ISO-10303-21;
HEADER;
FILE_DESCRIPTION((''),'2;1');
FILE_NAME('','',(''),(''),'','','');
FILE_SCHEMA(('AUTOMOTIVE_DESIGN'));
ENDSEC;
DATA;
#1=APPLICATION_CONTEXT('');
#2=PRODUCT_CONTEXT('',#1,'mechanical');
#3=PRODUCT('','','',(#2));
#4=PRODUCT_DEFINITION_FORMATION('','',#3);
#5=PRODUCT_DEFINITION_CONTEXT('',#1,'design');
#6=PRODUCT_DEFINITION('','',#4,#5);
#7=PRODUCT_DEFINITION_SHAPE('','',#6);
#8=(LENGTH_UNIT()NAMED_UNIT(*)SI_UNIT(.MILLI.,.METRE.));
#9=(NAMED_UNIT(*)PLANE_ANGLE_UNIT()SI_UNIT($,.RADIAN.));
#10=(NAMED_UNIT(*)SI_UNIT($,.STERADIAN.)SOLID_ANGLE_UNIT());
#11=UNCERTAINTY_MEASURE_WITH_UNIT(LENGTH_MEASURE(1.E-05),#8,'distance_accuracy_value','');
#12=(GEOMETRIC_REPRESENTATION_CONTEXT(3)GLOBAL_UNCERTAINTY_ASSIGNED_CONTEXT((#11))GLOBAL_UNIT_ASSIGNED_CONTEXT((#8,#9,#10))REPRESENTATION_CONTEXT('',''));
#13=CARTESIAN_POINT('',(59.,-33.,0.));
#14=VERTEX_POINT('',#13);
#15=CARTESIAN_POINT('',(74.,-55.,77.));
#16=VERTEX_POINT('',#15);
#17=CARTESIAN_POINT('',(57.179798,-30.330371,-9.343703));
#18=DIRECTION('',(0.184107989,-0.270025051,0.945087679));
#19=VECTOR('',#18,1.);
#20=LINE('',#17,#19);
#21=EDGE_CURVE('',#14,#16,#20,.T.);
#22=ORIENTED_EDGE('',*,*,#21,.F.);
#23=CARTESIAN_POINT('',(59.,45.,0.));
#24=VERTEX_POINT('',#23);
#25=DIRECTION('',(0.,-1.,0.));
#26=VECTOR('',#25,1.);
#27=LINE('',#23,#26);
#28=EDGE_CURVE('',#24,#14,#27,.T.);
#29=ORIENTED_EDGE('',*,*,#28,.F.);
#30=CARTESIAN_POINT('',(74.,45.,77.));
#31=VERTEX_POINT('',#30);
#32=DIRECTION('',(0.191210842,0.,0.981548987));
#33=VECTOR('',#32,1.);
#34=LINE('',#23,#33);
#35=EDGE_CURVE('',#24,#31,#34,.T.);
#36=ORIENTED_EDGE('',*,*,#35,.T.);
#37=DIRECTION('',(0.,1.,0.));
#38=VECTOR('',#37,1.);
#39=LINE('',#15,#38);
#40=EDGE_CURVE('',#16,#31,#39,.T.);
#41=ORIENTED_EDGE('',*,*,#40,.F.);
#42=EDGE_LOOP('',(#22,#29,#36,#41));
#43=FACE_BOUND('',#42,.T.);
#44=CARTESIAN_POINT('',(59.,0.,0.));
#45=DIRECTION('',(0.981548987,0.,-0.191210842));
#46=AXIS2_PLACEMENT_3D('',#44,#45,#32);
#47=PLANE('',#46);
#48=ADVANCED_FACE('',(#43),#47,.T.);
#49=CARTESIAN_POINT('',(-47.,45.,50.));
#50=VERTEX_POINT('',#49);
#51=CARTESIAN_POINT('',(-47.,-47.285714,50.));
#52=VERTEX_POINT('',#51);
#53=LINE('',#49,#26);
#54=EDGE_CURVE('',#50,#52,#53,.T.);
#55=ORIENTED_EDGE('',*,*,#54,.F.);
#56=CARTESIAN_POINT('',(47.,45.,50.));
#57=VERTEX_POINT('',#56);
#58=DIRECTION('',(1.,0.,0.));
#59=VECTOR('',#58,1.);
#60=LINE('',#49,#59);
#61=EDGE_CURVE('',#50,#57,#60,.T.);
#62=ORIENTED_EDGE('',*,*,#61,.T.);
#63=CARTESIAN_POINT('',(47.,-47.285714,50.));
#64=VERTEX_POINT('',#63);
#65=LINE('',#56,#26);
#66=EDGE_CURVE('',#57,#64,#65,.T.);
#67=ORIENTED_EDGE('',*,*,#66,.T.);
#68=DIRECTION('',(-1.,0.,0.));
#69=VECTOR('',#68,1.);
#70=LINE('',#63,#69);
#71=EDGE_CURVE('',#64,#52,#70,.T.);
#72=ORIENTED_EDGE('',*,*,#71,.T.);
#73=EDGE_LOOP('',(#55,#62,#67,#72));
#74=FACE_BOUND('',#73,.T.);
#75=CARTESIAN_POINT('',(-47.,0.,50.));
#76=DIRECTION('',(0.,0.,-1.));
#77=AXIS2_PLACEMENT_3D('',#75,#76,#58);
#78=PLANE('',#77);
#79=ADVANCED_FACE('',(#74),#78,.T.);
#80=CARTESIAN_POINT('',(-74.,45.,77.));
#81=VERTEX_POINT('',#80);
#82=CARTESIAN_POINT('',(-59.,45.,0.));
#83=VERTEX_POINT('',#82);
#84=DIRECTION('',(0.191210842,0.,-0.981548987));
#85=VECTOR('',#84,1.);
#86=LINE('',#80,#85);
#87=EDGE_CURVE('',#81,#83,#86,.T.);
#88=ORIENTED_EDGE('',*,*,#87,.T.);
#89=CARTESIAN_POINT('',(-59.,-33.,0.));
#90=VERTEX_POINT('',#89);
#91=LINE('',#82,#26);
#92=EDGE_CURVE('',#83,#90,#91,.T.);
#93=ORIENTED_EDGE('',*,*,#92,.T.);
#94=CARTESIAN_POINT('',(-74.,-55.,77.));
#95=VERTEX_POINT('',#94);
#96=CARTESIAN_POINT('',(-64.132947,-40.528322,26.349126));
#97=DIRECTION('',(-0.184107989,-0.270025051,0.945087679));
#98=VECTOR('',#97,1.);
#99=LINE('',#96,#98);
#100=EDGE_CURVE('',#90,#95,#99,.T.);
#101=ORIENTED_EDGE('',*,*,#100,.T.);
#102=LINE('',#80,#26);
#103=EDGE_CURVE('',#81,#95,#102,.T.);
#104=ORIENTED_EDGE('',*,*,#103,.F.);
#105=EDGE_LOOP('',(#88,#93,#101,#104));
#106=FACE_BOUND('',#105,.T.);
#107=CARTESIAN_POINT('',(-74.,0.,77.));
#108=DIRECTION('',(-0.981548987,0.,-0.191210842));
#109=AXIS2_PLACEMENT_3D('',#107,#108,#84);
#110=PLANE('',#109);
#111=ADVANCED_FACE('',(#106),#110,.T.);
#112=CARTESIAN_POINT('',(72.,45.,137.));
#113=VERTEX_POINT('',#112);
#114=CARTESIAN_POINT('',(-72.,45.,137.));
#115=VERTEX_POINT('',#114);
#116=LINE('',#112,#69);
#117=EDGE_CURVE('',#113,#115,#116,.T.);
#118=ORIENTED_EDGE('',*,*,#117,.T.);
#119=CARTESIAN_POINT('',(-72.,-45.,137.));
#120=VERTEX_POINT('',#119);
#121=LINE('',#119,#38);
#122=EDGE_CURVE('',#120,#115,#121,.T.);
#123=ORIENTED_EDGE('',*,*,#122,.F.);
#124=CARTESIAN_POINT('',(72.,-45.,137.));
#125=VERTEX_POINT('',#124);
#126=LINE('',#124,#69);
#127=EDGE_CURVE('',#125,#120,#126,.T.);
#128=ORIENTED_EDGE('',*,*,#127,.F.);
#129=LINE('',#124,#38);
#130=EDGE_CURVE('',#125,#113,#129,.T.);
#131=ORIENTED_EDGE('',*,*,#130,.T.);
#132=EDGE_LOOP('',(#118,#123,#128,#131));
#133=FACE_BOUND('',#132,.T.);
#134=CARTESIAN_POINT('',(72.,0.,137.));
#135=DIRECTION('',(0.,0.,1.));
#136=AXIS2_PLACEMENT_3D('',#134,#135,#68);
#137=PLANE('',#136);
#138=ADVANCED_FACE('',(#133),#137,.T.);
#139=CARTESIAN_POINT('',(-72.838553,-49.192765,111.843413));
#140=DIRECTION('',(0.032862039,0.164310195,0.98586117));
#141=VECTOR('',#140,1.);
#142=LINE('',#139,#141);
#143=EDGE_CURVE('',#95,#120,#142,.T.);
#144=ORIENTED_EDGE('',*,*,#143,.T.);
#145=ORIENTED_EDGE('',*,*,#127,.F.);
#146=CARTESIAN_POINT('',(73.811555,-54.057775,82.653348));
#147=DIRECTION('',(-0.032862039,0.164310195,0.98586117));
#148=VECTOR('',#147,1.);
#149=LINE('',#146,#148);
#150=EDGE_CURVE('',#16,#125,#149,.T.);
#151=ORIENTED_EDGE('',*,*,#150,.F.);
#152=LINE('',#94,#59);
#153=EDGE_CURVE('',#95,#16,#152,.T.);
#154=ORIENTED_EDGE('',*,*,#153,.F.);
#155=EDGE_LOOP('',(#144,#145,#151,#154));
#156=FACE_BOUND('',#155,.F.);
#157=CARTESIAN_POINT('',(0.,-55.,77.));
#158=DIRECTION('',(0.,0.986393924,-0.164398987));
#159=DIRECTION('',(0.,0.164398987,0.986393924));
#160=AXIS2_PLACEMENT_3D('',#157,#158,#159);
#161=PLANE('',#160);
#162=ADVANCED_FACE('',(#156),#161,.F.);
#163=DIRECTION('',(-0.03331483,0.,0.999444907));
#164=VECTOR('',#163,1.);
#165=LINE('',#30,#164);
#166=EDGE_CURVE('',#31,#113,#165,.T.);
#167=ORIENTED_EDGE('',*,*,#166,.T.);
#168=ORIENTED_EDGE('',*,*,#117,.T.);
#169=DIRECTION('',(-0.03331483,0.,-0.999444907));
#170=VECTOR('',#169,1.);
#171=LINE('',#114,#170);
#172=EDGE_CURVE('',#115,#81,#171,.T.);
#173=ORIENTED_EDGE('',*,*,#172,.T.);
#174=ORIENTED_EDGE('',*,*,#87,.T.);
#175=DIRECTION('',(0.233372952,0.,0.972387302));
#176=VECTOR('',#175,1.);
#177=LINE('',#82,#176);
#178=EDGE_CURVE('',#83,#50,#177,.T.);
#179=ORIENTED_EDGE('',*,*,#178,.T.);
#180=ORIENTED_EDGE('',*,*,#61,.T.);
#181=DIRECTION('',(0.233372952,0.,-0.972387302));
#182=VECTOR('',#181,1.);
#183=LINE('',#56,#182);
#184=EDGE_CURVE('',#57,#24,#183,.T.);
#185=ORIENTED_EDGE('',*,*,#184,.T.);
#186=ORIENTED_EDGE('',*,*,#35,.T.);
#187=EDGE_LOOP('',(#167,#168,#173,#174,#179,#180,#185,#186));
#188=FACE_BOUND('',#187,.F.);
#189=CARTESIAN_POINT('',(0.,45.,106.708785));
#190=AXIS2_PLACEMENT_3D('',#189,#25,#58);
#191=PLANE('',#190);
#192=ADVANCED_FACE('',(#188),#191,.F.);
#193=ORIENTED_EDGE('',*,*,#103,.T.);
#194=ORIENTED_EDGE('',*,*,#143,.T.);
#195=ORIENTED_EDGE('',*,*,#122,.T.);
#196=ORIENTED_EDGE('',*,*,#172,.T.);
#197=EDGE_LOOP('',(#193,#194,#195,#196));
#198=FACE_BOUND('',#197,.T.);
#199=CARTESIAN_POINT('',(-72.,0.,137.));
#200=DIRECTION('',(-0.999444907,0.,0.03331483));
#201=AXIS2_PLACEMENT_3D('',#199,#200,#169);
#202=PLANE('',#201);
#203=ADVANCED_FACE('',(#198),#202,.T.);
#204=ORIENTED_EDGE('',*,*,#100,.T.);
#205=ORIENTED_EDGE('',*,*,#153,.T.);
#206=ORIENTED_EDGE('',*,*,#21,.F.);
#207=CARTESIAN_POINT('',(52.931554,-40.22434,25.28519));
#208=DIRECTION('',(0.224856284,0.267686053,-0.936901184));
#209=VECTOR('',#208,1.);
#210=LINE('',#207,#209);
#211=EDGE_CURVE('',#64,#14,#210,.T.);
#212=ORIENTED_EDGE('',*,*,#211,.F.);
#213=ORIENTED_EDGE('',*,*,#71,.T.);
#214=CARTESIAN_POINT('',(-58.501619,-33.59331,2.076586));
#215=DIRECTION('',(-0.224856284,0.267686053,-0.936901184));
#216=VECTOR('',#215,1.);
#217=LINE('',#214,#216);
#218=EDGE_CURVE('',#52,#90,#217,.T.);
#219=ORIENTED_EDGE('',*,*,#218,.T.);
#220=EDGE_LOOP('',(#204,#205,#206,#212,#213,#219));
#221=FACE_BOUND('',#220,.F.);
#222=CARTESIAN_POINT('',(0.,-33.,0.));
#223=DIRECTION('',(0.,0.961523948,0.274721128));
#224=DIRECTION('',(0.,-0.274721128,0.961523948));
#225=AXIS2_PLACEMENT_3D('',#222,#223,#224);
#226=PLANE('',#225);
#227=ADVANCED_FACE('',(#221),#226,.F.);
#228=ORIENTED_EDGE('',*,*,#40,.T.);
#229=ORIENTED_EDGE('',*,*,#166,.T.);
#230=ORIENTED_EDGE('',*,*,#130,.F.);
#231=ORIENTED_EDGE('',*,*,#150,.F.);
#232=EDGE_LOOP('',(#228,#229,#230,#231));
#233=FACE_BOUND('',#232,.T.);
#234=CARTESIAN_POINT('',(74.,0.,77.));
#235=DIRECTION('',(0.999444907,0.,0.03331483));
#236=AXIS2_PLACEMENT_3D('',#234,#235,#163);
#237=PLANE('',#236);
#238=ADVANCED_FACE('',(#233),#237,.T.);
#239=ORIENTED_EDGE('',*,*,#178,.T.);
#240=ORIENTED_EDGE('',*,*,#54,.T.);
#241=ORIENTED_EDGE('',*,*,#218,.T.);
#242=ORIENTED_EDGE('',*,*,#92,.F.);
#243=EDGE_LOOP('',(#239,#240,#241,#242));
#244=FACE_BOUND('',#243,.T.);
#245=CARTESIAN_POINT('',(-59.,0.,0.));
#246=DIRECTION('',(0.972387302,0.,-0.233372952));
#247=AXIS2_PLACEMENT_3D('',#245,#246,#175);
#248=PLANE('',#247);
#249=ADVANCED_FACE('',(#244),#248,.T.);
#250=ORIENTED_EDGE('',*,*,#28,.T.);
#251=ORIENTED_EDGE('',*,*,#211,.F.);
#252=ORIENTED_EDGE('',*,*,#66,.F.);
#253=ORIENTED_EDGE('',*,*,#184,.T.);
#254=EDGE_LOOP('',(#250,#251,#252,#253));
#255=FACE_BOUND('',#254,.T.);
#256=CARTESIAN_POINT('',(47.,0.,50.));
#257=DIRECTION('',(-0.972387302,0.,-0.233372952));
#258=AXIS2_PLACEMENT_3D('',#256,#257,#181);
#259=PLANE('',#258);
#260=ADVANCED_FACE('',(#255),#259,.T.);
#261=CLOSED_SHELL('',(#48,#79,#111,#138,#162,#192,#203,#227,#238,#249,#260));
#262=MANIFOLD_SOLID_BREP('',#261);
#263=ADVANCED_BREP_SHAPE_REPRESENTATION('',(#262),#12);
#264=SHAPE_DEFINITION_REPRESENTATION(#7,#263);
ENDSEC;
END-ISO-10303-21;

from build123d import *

# Parameters (mm, degrees)
F2_DEPTH      = 55
F3_DEPTH      = 74.001
F3_DEPTH_BACK = 74.001
F4_DEPTH      = 45


with BuildPart() as f2:
    # F0 (on Front) → F2 (new body, through all)
    with BuildSketch(Plane.XZ):
        Polygon((-72, 137), (-74, 77), (0, 77), (74, 77), (72, 137), (0, 137), align=None)
        Polygon((-74, 77), (-59, 0), (-47, 50), (0, 50), (47, 50), (59, 0), (74, 77), (0, 77), align=None)
    extrude(amount=F2_DEPTH)

    # F1 (on Right) → F3 (cut, two sides)
    with BuildSketch(Plane.YZ) as f3_sk:
        Polygon((-55, 77), (-45, 137), (-80.7239860296, 137), (-80.7239860296, 0), (-33, 0), align=None)
    extrude(amount=-F3_DEPTH, mode=Mode.SUBTRACT)
    extrude(f3_sk.sketch, amount=F3_DEPTH_BACK, mode=Mode.SUBTRACT)

    # F4 (add): a face of the model
    f4_faces = [f2.faces().sort_by_distance(p)[0] for p in [
        (0, 0, 88.8782570615),
    ]]
    extrude(f4_faces, amount=F4_DEPTH)


solid = f2.part
